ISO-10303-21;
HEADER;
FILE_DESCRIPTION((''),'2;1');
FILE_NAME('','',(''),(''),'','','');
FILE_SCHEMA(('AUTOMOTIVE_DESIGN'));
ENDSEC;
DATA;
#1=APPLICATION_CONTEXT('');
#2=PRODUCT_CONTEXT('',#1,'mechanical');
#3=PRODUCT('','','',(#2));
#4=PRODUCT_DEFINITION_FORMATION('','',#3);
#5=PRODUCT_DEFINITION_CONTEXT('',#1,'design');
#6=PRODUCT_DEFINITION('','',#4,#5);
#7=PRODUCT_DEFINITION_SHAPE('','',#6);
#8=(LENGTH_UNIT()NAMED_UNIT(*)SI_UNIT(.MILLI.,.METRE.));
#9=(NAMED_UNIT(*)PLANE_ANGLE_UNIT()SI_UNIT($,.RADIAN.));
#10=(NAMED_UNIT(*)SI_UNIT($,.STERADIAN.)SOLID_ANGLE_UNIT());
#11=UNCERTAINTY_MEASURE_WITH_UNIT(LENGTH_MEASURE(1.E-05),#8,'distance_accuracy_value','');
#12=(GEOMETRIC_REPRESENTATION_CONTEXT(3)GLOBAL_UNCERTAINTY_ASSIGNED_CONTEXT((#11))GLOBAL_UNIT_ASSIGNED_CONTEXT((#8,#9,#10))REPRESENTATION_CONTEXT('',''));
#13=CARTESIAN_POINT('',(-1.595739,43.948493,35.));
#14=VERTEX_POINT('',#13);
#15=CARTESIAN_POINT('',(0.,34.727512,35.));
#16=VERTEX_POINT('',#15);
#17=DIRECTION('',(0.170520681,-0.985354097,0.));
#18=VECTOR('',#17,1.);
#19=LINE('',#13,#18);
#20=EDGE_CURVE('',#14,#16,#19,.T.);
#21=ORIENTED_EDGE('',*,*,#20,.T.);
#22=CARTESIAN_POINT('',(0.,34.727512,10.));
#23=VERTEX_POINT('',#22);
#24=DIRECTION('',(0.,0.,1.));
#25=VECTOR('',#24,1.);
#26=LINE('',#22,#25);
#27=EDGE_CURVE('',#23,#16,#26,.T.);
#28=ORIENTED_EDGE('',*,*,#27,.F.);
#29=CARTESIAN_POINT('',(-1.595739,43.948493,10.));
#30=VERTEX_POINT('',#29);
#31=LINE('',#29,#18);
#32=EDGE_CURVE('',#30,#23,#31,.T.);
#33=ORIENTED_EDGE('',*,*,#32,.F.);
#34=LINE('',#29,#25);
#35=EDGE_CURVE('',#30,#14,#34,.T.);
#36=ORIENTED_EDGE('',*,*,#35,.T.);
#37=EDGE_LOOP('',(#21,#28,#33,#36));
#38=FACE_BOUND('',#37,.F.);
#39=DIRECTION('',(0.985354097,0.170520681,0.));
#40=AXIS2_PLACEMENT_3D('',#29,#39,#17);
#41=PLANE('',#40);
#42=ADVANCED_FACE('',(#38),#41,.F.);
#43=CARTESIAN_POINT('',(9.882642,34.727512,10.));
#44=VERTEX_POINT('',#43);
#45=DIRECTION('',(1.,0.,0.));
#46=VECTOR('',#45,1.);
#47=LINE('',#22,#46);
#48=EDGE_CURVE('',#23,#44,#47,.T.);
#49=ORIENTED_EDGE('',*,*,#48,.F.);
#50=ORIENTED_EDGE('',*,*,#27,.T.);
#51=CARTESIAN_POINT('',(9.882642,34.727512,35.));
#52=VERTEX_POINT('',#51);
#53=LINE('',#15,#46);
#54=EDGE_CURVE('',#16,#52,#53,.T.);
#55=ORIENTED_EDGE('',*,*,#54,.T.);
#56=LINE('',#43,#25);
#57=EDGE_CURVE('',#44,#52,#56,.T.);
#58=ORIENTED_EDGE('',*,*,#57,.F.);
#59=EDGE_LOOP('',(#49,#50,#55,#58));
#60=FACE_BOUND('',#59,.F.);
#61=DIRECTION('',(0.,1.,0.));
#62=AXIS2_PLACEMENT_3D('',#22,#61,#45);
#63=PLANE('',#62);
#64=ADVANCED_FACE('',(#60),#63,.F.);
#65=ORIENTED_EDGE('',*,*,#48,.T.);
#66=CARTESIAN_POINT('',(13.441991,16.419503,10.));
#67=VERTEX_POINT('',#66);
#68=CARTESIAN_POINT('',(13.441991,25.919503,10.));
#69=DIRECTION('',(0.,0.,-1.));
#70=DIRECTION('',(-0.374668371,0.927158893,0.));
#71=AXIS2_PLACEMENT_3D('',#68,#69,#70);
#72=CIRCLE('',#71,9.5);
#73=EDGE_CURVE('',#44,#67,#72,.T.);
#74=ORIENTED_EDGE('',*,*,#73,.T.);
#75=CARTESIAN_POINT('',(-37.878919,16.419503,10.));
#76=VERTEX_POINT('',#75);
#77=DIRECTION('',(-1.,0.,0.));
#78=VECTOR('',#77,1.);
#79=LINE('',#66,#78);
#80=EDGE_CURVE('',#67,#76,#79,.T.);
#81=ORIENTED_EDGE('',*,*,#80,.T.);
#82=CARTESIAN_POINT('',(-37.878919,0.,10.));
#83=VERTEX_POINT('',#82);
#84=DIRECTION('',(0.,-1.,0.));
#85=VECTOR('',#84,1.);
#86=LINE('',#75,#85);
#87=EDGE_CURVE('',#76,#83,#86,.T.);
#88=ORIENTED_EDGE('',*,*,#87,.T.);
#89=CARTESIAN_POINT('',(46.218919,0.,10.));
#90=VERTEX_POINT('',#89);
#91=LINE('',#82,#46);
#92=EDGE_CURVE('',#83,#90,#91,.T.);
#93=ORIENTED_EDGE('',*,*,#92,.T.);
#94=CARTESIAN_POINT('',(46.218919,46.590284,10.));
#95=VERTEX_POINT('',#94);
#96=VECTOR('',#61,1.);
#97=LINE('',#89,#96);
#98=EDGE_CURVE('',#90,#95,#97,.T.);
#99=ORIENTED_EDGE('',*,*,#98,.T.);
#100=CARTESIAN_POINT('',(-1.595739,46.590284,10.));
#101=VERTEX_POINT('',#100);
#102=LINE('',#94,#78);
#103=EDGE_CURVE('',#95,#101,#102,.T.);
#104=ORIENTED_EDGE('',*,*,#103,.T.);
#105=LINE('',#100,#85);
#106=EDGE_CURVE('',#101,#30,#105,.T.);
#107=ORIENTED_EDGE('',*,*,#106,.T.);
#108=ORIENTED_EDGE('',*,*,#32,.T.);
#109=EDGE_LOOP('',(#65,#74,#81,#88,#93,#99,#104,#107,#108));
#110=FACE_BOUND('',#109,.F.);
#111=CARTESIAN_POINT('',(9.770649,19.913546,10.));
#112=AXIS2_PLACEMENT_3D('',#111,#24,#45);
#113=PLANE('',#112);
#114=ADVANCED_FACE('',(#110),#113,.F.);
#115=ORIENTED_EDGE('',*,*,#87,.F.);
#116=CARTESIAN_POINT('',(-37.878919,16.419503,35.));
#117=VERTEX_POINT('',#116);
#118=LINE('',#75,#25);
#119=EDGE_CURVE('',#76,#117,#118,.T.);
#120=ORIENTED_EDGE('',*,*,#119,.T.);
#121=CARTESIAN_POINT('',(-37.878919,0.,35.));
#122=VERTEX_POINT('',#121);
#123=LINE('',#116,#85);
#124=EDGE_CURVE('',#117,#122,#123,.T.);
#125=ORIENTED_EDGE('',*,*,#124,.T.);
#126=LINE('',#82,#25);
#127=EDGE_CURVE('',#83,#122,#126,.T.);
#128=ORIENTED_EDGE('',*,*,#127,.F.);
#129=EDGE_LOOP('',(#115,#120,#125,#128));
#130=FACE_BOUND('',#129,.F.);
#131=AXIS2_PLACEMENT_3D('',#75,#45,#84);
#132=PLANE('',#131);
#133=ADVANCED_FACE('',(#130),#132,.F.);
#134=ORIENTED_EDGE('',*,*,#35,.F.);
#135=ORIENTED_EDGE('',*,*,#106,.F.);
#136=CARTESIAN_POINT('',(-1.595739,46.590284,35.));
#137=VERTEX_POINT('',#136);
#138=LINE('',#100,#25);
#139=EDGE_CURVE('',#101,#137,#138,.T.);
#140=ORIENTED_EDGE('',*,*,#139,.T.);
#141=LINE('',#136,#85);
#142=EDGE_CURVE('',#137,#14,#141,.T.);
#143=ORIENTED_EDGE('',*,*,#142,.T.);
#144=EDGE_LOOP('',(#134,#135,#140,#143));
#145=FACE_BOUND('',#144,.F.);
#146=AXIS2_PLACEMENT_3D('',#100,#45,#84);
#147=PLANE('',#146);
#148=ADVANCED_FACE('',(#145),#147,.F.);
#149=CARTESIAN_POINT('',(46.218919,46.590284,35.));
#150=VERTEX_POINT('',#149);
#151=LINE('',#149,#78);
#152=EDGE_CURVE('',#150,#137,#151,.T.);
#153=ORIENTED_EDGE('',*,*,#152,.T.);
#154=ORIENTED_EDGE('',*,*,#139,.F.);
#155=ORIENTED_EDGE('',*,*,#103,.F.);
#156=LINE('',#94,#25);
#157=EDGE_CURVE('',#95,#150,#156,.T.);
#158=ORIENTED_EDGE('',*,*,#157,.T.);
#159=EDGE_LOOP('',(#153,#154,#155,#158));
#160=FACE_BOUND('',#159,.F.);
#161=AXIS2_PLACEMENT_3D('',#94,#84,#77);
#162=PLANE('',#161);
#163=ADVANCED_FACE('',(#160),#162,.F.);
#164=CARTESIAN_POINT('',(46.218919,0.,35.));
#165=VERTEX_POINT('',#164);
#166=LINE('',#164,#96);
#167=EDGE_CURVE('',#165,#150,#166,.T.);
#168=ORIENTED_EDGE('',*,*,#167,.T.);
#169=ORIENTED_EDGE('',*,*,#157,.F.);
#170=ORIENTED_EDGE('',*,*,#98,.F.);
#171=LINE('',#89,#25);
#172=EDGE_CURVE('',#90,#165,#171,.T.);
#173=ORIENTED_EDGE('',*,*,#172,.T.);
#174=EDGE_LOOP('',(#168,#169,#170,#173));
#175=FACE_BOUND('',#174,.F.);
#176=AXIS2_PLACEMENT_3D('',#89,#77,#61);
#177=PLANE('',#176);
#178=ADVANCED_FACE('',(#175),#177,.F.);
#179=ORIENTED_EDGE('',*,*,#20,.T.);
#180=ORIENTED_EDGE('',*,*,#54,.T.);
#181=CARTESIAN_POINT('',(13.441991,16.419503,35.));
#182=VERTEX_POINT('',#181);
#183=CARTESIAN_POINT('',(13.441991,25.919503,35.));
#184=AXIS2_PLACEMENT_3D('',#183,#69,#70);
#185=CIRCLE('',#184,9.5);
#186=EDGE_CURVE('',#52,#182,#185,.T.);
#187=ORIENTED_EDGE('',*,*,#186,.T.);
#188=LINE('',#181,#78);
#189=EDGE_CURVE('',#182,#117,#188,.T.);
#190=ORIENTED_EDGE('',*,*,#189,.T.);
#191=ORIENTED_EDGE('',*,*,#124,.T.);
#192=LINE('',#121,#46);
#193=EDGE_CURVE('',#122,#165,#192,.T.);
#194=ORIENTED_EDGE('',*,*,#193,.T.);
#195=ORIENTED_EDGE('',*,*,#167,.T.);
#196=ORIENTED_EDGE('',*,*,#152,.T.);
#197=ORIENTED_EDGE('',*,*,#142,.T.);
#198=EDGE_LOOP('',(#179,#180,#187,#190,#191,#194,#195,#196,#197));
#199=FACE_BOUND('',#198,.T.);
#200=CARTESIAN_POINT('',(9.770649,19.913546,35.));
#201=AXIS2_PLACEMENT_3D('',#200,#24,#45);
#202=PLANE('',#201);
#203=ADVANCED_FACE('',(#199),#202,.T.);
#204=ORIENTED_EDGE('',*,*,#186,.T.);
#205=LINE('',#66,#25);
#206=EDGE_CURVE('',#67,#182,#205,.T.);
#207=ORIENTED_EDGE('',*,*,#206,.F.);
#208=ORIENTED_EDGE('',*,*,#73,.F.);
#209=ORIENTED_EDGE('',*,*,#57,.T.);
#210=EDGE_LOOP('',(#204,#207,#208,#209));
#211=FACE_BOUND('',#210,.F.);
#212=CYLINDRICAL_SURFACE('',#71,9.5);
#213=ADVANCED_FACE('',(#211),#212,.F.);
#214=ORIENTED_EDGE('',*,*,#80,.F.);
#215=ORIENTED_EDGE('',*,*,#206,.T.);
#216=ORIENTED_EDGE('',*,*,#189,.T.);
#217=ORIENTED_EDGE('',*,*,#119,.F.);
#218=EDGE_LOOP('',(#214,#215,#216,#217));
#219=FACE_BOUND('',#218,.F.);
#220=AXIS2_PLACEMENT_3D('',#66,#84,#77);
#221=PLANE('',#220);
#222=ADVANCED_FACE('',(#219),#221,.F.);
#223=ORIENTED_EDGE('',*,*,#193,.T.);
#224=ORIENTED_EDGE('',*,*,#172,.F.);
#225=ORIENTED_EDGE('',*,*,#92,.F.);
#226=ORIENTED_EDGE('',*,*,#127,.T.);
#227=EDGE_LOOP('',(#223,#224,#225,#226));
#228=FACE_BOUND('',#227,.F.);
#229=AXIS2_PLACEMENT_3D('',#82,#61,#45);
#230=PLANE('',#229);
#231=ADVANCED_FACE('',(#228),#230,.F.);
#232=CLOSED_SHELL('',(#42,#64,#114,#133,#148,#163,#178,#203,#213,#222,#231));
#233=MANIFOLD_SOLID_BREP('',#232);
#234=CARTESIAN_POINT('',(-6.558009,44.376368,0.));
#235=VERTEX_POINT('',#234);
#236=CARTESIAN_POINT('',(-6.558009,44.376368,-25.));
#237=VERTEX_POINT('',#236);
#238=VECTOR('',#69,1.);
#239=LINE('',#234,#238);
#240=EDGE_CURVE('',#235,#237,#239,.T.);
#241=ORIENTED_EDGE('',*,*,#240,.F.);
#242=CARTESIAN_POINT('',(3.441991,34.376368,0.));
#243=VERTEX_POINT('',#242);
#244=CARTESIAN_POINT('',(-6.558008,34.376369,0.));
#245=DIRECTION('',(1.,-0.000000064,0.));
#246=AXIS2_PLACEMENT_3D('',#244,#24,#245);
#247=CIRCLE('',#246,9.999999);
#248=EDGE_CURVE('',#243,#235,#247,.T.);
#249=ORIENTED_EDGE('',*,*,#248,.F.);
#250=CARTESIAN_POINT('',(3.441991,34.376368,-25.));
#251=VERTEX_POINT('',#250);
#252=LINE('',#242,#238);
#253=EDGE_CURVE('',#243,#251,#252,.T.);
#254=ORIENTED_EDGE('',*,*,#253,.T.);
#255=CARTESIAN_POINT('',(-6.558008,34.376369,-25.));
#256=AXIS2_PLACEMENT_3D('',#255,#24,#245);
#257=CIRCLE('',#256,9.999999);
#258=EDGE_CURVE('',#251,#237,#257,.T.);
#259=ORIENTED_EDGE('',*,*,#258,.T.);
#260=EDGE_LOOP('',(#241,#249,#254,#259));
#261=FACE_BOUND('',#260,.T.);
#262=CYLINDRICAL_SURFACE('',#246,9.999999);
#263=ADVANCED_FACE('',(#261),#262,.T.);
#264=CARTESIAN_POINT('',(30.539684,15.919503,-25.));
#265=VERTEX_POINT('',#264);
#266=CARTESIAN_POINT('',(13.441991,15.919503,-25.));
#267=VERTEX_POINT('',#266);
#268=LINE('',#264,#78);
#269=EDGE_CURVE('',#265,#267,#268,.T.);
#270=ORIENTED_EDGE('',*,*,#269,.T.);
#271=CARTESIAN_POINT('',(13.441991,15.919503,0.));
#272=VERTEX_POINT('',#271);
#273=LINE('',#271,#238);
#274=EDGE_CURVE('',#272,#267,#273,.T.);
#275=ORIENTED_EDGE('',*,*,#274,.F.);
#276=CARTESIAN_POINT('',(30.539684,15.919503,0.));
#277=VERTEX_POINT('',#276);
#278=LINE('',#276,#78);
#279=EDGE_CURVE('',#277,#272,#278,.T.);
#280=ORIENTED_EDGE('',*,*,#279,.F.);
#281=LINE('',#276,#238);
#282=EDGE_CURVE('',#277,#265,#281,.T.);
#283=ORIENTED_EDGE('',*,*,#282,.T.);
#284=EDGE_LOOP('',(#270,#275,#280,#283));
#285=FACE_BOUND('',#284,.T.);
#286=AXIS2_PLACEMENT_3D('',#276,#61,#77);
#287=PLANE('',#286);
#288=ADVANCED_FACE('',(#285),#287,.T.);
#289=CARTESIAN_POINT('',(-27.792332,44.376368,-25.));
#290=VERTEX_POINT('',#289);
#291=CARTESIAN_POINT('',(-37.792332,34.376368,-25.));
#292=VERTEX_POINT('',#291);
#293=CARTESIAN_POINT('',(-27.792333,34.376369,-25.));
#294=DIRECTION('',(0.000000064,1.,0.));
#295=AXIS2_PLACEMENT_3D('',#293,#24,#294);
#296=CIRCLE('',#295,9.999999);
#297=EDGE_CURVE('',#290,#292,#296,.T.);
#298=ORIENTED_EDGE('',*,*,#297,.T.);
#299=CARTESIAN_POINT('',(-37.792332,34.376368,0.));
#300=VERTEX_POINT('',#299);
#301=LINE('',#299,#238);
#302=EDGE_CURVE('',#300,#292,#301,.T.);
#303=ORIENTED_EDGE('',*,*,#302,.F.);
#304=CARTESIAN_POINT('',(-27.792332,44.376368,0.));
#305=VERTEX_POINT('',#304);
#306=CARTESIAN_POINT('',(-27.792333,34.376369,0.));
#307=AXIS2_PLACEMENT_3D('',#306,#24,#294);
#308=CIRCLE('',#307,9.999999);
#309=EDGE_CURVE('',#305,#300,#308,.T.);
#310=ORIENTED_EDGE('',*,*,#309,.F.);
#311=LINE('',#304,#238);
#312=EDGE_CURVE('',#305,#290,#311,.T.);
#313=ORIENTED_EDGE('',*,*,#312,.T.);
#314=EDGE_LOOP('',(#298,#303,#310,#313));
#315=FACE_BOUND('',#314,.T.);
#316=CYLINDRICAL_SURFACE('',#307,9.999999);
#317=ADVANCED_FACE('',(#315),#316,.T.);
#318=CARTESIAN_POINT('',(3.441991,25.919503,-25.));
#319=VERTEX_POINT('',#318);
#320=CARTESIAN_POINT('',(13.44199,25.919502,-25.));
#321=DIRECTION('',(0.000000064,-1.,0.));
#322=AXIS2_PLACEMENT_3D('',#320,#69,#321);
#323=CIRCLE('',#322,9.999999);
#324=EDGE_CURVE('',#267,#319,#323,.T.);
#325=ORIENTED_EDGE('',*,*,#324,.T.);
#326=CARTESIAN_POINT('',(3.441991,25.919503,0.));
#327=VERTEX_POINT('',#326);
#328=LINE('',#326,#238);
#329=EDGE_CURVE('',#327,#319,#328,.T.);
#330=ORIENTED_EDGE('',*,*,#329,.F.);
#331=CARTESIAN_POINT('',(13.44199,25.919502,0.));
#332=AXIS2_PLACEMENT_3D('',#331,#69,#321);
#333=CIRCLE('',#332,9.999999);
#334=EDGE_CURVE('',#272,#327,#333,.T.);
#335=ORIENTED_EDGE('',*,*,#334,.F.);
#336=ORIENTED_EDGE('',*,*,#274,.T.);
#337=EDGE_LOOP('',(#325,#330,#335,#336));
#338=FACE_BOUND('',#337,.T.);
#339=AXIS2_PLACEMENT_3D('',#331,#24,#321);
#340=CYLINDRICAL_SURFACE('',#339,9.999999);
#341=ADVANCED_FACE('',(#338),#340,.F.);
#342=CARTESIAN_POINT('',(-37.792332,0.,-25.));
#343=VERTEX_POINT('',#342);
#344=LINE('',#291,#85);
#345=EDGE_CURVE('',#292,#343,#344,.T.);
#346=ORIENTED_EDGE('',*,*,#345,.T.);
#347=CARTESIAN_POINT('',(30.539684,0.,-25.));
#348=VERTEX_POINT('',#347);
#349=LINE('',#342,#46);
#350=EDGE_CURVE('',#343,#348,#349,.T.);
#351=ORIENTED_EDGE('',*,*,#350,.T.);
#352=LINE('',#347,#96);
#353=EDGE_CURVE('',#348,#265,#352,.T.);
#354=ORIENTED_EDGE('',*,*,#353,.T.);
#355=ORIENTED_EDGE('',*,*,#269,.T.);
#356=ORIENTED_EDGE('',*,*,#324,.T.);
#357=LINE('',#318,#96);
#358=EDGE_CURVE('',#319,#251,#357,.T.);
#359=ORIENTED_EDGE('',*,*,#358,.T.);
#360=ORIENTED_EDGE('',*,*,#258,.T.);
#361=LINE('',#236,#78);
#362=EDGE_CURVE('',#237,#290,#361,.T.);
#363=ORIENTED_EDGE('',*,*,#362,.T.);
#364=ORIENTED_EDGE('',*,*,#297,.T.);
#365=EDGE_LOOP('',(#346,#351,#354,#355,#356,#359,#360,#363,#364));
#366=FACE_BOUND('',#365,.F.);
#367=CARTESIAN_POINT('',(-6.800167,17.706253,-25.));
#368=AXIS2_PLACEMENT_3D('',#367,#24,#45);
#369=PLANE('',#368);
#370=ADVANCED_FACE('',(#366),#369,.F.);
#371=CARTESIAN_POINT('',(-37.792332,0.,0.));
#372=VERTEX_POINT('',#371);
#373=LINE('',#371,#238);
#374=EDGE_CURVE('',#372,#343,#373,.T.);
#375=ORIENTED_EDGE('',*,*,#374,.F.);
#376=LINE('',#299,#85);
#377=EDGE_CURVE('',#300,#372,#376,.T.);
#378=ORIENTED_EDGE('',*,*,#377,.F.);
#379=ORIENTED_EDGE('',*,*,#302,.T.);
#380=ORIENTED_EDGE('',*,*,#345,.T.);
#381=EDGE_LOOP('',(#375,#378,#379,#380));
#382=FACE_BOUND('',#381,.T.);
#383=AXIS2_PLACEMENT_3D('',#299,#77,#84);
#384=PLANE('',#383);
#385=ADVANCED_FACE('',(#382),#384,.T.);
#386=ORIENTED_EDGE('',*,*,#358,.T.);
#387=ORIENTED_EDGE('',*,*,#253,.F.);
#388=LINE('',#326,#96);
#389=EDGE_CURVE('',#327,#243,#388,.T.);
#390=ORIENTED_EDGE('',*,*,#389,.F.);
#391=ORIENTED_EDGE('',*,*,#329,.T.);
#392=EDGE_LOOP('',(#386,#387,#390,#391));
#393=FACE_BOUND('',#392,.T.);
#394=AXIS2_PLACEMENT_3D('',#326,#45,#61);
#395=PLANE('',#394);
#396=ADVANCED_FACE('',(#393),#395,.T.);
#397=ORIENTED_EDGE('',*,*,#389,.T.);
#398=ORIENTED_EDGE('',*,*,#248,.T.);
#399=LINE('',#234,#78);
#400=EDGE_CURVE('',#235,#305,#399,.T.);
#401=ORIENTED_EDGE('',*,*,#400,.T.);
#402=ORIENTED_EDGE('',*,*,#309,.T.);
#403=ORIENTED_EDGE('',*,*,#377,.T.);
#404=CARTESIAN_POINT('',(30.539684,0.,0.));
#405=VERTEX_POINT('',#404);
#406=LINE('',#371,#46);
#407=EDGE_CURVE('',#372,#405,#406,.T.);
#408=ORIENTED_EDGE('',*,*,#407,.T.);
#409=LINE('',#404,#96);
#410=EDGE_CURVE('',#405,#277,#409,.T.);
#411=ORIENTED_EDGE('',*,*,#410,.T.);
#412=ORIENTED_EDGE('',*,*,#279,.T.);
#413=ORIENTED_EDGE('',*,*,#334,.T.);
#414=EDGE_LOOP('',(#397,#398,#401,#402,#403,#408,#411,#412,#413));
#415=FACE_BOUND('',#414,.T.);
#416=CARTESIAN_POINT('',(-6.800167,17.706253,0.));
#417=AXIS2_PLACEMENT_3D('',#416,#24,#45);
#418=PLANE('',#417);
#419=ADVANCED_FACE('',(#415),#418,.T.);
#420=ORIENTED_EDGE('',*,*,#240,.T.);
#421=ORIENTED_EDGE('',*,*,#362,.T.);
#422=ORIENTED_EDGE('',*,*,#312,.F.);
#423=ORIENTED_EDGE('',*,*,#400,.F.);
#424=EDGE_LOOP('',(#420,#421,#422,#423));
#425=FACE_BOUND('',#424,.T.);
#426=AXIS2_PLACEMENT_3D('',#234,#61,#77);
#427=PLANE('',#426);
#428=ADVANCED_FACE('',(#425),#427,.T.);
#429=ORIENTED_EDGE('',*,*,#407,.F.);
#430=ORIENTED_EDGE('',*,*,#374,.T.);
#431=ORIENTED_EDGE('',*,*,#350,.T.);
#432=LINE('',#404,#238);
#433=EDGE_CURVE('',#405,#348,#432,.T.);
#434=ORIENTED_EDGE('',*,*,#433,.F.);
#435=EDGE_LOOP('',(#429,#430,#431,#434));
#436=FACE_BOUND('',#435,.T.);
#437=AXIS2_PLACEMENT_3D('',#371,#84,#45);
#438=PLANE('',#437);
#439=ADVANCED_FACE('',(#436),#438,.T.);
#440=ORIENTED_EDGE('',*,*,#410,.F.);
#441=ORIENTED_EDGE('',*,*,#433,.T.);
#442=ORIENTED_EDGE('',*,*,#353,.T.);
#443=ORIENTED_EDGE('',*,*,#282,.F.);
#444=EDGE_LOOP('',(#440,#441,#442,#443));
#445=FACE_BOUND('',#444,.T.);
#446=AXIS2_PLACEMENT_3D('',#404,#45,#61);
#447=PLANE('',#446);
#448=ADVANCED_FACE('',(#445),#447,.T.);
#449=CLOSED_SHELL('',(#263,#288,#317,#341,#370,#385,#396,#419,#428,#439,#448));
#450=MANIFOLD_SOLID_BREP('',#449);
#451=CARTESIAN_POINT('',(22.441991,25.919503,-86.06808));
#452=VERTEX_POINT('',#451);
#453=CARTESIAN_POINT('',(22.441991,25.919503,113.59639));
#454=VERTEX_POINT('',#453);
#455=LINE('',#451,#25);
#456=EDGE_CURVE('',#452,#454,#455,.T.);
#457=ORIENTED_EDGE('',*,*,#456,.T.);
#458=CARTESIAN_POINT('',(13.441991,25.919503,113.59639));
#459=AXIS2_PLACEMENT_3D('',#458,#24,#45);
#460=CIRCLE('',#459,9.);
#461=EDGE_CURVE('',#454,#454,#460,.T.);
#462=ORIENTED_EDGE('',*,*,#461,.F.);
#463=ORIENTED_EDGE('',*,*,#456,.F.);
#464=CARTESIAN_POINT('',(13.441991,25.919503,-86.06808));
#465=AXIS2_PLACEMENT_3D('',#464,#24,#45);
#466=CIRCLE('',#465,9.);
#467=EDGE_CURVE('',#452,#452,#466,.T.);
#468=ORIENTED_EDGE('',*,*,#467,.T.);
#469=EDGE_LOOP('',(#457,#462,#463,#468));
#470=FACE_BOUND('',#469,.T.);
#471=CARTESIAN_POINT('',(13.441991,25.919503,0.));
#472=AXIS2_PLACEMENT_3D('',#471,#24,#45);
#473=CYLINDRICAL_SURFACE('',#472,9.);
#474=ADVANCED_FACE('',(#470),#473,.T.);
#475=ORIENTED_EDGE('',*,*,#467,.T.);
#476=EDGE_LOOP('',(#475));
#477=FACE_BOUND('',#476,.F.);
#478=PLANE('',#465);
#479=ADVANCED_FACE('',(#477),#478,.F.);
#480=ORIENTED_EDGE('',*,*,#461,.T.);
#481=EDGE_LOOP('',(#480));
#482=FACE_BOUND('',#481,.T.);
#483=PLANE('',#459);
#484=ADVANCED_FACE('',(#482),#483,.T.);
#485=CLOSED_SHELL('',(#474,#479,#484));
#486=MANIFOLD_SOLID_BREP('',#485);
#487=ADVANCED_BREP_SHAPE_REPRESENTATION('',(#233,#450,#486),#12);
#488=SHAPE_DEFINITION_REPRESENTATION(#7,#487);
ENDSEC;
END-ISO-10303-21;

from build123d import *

# Parameters (mm, degrees)
F3_DEPTH      = 25
F4_DEPTH      = 25
F0_R          = 9
F5_DEPTH      = 113.59639
F5_DEPTH_BACK = 86.06808


with BuildPart() as f3:
    # F0 (on Top) → F3 (new body)
    with BuildSketch(Plane.XY):
        with BuildLine():
            ThreePointArc((3.441991, 34.376368), (0.513059, 41.447436), (-6.558009, 44.376368))
            Line((-6.558009, 44.376368), (-27.792332, 44.376368))
            ThreePointArc((-27.792332, 44.376368), (-34.8634, 41.447436), (-37.792332, 34.376368))
            Line((-37.792332, 34.376368), (-37.792332, 0))
            Line((-37.792332, 0), (30.539684, 0))
            Line((30.539684, 0), (30.539684, 15.919503))
            Line((30.539684, 15.919503), (13.441991, 15.919503))
            ThreePointArc((13.441991, 15.919503), (6.370923, 18.848435), (3.441991, 25.919503))
            Line((3.441991, 25.919503), (3.441991, 34.376368))
        make_face()
    extrude(amount=-F3_DEPTH)


with BuildPart() as f4:
    # F2 (on offset) → F4 (new body)
    with BuildSketch(Plane.XY.offset(10)):
        with BuildLine():
            Line((-37.878919, 16.419503), (-37.878919, 0))
            Line((-37.878919, 0), (46.218919, 0))
            Line((46.218919, 0), (46.218919, 46.590284))
            Line((46.218919, 46.590284), (-1.595739, 46.590284))
            Line((-1.595739, 46.590284), (-1.595739, 43.948493))
            Line((-1.595739, 43.948493), (0, 34.727512))
            Line((0, 34.727512), (9.882642, 34.727512))
            ThreePointArc((9.882642, 34.727512), (22.767389, 27.732499), (13.441991, 16.419503))
            Line((13.441991, 16.419503), (-37.878919, 16.419503))
        make_face()
    extrude(amount=F4_DEPTH)


with BuildPart() as f5:
    # F0 (on Top) → F5 (new body, two sides)
    with BuildSketch(Plane.XY) as f5_sk:
        with Locations((13.441991, 25.919503)):
            Circle(F0_R)
    extrude(amount=F5_DEPTH)
    extrude(f5_sk.sketch, amount=-F5_DEPTH_BACK)


solid = Compound([f3.part, f4.part, f5.part])
